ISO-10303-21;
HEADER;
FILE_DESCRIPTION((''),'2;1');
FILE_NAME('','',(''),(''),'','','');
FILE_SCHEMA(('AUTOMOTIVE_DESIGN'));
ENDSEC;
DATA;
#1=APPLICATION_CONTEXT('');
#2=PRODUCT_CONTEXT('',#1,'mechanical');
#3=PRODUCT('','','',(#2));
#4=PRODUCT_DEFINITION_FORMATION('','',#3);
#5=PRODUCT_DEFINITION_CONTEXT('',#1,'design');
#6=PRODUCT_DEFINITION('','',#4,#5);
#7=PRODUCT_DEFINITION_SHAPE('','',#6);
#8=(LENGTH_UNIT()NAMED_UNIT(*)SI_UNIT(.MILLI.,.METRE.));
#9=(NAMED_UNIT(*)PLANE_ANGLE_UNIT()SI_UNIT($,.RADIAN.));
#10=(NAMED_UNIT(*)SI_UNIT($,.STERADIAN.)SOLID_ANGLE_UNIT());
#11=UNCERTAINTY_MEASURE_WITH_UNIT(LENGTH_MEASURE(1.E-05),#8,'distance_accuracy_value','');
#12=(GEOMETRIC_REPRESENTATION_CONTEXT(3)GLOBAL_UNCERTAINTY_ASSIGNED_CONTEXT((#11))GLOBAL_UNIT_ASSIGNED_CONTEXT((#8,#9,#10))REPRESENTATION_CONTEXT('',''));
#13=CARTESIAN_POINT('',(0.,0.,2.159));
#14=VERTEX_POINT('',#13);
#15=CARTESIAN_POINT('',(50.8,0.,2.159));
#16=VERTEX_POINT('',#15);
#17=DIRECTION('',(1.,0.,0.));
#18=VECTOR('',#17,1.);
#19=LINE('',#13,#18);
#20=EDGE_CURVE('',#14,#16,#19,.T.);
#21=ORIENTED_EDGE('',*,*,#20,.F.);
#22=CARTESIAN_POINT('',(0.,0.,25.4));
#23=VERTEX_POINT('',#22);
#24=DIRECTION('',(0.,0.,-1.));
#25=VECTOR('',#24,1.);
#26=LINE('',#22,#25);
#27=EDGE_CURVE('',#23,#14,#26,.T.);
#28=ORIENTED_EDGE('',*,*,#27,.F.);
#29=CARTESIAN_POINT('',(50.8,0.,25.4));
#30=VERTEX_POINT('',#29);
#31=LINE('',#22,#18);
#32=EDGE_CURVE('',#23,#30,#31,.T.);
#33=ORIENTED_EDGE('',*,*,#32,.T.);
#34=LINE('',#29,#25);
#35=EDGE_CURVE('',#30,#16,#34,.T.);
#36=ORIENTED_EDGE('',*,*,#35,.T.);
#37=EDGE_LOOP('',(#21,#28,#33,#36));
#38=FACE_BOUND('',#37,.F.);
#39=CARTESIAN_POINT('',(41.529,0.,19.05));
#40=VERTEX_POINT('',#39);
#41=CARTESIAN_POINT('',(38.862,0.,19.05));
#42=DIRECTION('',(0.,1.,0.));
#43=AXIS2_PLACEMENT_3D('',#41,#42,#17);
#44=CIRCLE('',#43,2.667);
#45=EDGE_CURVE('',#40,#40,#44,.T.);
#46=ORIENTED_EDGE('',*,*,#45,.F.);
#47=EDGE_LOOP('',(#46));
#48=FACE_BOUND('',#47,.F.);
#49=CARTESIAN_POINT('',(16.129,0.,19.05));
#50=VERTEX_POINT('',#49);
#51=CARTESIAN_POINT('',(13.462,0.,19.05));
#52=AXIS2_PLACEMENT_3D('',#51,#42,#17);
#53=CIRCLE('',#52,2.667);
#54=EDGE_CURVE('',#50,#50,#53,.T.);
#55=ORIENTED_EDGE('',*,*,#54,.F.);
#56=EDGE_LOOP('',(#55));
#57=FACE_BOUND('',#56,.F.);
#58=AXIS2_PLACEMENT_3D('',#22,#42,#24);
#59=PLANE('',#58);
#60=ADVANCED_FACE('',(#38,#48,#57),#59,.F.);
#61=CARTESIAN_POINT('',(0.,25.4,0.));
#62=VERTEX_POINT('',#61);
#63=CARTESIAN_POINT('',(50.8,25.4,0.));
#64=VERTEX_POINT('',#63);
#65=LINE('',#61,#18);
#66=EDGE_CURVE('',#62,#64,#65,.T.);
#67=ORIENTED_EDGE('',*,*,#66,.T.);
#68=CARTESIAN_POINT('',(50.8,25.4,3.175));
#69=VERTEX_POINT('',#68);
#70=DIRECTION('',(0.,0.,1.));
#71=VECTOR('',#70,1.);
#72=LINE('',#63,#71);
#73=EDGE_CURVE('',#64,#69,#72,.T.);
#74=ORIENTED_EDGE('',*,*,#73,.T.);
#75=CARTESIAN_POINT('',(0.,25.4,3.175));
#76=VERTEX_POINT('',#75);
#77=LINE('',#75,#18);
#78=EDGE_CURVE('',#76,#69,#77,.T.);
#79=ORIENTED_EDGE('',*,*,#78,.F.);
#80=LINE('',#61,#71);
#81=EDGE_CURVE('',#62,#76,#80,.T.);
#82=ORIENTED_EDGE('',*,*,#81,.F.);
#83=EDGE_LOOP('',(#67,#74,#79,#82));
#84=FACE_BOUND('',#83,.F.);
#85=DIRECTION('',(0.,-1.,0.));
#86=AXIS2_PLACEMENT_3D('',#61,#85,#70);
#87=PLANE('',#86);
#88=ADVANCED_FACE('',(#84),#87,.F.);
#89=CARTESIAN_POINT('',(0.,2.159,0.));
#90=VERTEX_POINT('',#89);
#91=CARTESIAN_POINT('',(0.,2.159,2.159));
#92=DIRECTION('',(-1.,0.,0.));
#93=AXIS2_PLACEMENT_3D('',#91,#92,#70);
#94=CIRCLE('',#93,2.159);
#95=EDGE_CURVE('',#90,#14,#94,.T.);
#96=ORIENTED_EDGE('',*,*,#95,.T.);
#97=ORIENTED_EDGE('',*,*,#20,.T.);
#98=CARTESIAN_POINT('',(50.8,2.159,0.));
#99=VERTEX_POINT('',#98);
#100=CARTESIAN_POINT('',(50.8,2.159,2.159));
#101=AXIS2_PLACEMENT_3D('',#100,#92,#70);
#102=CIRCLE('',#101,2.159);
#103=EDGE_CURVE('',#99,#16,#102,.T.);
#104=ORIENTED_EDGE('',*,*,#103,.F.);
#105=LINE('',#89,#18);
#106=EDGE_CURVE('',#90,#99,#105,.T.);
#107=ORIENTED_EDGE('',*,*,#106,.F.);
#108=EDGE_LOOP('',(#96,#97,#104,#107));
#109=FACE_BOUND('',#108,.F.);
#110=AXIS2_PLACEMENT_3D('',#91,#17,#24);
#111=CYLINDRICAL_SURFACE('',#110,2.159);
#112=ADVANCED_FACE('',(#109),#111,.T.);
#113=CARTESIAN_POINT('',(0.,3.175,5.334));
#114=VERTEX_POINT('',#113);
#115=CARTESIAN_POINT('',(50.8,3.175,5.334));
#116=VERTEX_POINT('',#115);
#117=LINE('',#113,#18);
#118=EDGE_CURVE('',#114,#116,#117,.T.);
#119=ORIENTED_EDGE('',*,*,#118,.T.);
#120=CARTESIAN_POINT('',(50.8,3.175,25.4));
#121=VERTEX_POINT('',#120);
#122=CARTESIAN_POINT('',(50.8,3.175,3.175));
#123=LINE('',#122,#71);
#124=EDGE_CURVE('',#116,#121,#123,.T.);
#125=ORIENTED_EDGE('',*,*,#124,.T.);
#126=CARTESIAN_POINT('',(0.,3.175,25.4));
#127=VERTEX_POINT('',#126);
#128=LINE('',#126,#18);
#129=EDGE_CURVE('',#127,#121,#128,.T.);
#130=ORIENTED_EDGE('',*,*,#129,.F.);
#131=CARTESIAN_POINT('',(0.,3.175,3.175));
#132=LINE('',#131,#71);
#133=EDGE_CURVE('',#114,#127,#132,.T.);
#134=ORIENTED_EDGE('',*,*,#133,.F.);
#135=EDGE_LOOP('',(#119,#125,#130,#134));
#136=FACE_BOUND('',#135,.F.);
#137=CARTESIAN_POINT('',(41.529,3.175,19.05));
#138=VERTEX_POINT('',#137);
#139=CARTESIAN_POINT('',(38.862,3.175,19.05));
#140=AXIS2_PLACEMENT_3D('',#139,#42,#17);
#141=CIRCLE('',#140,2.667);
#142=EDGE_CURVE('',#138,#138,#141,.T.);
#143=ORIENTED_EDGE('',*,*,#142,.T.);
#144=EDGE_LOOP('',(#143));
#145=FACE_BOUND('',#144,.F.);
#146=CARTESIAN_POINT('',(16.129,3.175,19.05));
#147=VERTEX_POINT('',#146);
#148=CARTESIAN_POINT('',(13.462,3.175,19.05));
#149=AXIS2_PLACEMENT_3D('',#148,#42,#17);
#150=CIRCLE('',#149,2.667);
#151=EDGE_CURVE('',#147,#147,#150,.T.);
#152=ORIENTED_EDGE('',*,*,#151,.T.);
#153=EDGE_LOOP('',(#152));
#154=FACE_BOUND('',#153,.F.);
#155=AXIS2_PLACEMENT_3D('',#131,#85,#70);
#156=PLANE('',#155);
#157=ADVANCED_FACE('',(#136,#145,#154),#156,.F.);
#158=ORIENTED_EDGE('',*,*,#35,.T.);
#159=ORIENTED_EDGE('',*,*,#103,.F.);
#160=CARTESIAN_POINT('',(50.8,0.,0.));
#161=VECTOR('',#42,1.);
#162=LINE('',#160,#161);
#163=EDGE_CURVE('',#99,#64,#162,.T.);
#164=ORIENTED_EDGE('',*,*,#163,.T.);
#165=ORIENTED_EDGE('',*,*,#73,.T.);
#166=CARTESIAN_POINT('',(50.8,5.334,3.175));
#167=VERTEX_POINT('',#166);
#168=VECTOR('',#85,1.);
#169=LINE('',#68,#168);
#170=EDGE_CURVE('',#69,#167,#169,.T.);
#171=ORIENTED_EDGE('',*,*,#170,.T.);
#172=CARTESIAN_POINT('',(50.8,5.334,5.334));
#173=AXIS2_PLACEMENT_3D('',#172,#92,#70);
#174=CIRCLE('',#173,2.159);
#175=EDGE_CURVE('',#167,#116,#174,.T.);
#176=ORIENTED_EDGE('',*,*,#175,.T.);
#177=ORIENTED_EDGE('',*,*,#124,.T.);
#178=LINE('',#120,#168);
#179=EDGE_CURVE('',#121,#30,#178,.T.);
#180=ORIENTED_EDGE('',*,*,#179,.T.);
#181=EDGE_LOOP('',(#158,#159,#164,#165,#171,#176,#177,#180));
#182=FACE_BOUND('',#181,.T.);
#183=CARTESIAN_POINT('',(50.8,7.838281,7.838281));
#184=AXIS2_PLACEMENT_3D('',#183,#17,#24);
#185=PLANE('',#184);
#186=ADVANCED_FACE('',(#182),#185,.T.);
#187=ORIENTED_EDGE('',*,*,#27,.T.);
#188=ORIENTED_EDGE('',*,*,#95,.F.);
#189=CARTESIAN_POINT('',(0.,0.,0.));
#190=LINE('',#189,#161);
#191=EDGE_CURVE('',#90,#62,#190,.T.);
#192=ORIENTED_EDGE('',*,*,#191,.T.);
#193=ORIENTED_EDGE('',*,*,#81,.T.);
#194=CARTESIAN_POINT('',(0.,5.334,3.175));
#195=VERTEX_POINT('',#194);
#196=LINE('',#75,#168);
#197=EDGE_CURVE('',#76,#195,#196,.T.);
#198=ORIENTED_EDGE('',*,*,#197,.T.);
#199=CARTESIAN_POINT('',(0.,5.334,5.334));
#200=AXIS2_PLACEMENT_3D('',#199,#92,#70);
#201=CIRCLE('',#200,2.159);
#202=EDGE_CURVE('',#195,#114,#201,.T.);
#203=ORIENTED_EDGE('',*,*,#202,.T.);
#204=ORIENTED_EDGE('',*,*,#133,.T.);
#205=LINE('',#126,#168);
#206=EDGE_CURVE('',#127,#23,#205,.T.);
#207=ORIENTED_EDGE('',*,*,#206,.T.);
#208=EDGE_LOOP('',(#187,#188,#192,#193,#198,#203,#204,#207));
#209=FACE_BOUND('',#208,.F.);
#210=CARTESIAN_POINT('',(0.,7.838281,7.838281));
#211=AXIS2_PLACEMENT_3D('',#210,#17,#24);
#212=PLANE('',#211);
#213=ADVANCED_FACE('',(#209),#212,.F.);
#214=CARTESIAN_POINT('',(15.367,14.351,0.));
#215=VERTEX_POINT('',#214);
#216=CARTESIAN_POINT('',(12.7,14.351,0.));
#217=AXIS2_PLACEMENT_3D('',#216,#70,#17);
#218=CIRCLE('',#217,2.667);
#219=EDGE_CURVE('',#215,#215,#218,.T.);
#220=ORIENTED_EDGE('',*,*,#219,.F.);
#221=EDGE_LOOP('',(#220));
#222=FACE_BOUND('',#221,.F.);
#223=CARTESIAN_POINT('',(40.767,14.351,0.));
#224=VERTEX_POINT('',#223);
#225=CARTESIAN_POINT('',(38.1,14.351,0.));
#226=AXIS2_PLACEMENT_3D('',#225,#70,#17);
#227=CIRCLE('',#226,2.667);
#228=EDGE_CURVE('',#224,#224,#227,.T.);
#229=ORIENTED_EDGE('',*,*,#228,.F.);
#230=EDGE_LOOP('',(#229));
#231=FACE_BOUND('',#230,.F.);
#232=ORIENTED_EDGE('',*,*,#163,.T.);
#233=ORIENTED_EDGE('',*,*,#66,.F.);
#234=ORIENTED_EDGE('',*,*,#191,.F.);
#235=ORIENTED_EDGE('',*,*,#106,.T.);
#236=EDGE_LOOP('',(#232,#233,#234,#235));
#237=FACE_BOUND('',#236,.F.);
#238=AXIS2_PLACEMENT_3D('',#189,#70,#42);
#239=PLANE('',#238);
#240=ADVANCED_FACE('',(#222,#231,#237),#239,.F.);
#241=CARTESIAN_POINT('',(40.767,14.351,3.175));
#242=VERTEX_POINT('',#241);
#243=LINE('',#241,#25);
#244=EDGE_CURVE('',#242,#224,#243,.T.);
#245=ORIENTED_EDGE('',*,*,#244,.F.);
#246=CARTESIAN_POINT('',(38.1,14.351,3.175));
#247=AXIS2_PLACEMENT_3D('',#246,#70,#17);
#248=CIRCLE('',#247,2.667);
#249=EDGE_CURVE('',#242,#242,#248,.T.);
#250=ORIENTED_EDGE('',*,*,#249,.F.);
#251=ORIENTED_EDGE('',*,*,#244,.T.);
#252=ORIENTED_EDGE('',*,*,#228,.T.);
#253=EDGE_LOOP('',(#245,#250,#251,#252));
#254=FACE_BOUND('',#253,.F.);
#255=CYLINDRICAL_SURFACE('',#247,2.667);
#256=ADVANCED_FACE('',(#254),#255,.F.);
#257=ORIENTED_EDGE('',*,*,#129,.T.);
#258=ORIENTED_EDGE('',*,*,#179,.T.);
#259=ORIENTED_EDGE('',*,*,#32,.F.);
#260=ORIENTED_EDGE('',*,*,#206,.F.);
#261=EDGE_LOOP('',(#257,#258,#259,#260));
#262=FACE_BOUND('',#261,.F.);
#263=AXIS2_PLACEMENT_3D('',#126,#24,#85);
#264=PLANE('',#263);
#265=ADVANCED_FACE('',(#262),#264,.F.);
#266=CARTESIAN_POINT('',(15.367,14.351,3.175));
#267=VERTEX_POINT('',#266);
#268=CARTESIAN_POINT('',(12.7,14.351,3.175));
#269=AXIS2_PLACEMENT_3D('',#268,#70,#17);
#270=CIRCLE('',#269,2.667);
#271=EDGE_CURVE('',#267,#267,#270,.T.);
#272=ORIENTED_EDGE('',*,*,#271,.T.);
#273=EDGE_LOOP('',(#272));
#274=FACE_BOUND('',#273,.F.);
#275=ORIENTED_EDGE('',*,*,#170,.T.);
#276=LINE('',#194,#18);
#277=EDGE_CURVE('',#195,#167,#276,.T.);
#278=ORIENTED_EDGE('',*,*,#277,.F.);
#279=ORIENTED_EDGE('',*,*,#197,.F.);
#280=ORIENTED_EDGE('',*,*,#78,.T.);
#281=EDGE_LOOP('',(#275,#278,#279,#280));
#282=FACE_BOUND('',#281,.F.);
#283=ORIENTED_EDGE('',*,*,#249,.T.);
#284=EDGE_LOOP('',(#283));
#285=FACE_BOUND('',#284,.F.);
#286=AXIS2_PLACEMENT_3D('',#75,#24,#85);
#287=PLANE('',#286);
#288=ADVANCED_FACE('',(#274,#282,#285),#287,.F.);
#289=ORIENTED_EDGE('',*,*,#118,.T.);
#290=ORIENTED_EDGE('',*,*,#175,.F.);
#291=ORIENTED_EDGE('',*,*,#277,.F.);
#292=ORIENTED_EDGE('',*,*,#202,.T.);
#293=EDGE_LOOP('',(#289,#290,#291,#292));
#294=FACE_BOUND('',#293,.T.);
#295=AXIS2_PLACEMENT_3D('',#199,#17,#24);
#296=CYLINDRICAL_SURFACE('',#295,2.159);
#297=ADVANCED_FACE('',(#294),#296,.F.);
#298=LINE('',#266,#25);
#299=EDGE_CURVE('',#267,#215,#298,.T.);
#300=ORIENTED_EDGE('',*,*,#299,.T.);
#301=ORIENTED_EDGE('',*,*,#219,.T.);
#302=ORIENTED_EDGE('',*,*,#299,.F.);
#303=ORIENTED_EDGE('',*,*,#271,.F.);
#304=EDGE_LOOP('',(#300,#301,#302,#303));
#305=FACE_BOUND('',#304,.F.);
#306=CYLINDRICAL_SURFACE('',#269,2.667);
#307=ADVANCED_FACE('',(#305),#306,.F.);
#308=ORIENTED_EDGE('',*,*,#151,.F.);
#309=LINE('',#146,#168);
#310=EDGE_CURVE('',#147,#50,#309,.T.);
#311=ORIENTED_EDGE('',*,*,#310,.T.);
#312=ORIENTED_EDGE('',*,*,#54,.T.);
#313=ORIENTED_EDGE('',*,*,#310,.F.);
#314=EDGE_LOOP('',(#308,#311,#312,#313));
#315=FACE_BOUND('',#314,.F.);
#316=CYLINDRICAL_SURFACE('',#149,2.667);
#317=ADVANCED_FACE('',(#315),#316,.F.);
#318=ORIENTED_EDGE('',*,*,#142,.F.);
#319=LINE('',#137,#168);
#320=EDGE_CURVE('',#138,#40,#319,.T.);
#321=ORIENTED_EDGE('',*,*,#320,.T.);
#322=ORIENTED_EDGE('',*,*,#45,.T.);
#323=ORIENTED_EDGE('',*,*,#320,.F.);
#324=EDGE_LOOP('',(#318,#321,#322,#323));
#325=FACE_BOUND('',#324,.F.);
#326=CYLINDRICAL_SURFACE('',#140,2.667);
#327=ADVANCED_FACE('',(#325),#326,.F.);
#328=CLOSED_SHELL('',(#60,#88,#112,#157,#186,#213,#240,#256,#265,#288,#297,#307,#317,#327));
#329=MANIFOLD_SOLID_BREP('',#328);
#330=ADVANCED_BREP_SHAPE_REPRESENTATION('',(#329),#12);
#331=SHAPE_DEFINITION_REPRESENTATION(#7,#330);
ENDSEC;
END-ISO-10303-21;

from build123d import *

# Parameters (mm, degrees)
BOSS_EXTRUDE1_DEPTH = 50.8
SKETCH2_R           = 2.667
CUT_EXTRUDE1_DEPTH  = 3.175
SKETCH3_R           = 2.667
CUT_EXTRUDE2_DEPTH  = 3.175
FILLET1_R           = 2.159


with BuildPart() as part:
    # Sketch1 → Boss-Extrude1 (new body)
    with BuildSketch(Plane(origin=(0, 0, 0), x_dir=(0, 0, -1), z_dir=(1, 0, 0))):
        Polygon((0, 0), (0, 25.4), (-3.175, 25.4), (-3.175, 3.175), (-25.4, 3.175), (-25.4, 0), align=None)
    extrude(amount=BOSS_EXTRUDE1_DEPTH)

    # Sketch2 → Cut-Extrude1 (cut)
    with BuildSketch(Plane(origin=(0, 3.175, 0), x_dir=(1, 0, 0), z_dir=(0, 1, 0))):
        with Locations((13.462, -19.05)):
            Circle(SKETCH2_R)
        with Locations((38.862, -19.05)):
            Circle(SKETCH2_R)
    extrude(amount=-CUT_EXTRUDE1_DEPTH, mode=Mode.SUBTRACT)

    # Sketch3 → Cut-Extrude2 (cut)
    with BuildSketch(Plane.XY.offset(3.175)):
        with Locations((38.1, 14.351)):
            Circle(SKETCH3_R)
        with Locations((12.7, 14.351)):
            Circle(SKETCH3_R)
    extrude(amount=-CUT_EXTRUDE2_DEPTH, mode=Mode.SUBTRACT)

    # Fillet1
    fillet1_edges = [part.edges().sort_by_distance(p)[0] for p in [
        (25.4, 3.175, 3.175),
        (25.4, 0, 0),
    ]]
    fillet(fillet1_edges, radius=FILLET1_R)


solid = part.part
